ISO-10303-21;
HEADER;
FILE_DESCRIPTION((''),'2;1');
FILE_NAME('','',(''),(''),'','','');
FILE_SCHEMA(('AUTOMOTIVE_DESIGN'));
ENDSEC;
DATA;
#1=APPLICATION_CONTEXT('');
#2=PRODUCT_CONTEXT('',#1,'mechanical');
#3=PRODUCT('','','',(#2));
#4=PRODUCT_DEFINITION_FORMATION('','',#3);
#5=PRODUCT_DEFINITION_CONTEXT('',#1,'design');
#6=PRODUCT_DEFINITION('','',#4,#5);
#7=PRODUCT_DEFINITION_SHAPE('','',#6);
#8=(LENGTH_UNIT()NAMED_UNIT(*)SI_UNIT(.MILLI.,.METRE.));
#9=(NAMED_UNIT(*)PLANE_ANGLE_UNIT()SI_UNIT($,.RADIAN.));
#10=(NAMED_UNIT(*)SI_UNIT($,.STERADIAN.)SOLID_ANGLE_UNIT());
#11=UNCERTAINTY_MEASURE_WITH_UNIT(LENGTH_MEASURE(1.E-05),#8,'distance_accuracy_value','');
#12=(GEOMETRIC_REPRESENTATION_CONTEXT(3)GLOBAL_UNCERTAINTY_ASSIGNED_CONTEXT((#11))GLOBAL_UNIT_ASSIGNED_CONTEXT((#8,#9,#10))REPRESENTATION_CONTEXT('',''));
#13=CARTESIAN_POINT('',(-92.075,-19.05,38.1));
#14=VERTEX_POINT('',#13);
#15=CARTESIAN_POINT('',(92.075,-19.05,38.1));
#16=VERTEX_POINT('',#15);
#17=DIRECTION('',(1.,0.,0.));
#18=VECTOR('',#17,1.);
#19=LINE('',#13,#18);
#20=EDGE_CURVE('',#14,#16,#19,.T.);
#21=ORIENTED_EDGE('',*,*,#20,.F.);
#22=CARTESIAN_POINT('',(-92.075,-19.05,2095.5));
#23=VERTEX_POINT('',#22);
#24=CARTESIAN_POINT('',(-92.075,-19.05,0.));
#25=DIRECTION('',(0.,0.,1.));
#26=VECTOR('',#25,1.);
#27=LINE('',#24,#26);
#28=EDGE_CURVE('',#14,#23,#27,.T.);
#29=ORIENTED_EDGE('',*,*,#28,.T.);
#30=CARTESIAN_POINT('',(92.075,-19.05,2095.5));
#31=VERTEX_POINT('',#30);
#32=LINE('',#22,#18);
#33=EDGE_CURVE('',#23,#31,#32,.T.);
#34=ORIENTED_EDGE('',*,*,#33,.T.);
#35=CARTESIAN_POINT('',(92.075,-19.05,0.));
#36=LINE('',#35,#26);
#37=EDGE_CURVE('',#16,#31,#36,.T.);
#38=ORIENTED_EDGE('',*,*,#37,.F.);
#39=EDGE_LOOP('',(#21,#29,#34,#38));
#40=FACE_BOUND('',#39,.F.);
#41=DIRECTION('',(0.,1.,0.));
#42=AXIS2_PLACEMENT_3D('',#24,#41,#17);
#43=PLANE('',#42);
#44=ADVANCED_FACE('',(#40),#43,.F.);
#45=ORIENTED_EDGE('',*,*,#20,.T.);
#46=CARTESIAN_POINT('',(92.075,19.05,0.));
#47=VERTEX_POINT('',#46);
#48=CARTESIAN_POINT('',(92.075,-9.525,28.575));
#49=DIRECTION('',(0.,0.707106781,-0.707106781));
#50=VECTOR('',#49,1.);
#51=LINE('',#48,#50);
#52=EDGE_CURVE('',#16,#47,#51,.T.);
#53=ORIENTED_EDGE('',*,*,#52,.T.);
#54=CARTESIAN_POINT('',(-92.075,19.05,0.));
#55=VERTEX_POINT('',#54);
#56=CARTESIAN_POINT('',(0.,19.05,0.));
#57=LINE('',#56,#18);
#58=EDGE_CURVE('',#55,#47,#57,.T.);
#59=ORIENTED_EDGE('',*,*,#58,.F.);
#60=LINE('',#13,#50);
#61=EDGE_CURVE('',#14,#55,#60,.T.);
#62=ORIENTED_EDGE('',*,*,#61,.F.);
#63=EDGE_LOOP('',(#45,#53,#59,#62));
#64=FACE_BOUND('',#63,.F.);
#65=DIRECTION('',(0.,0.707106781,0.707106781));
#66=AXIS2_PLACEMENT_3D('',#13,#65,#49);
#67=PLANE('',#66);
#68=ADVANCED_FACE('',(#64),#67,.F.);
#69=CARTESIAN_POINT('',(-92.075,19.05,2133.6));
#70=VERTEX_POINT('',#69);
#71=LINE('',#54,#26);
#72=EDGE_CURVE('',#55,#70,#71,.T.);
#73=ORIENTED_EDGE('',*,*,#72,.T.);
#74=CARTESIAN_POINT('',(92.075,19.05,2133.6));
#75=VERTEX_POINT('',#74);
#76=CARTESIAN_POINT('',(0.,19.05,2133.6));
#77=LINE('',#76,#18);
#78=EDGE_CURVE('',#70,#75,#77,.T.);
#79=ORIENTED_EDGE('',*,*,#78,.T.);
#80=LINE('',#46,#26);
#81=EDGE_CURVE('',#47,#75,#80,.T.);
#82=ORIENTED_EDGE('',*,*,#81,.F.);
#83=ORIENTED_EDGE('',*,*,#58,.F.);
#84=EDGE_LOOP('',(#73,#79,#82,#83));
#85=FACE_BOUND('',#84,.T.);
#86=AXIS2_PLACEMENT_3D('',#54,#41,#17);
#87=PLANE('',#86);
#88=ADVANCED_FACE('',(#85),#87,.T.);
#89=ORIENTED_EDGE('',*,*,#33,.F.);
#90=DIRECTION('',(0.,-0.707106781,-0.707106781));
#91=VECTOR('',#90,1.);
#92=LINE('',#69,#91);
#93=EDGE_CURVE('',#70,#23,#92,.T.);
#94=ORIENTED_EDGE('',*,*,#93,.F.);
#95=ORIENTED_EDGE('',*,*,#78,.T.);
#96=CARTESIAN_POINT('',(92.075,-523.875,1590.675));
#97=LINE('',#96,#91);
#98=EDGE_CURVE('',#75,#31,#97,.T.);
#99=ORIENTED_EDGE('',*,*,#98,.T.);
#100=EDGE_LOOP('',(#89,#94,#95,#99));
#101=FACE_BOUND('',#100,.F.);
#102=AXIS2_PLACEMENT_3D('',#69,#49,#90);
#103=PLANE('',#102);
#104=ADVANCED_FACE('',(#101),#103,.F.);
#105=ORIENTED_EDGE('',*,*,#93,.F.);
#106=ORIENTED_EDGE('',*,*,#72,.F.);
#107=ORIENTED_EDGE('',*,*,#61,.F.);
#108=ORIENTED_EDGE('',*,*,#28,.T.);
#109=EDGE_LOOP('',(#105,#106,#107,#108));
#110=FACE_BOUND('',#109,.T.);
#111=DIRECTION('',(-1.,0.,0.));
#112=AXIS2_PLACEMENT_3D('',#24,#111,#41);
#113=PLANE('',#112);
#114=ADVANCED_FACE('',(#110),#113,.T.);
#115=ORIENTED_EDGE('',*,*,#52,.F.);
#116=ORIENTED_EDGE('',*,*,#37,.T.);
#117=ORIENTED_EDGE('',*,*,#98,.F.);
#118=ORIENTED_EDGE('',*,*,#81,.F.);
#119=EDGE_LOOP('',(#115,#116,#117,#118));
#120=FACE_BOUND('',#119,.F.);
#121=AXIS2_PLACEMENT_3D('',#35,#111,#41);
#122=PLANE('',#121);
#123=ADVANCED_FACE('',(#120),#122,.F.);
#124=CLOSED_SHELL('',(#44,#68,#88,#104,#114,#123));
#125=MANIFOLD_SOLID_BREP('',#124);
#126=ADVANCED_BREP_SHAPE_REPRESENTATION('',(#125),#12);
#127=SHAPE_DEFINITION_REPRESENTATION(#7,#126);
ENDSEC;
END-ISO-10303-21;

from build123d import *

# Parameters (mm, degrees)
F0_W     = 184.15
F0_H     = 38.1
F1_DEPTH = 2133.6
F3_DEPTH = 190.5


with BuildPart() as f1:
    # F0 (on Top) → F1 (new body)
    with BuildSketch(Plane.XY):
        Rectangle(F0_W, F0_H)
    extrude(amount=F1_DEPTH)

    # F2 (on face) → F3 (cut)
    with BuildSketch(Plane(origin=(-92.075, 0, 0), x_dir=(0, -1, 0), z_dir=(-1, 0, 0))):
        Polygon((19.05, 2133.6), (-19.05, 2133.6), (19.05, 2095.5), align=None)
        Polygon((19.05, 38.1), (-19.05, 0), (19.05, 0), align=None)
    extrude(amount=-F3_DEPTH, mode=Mode.SUBTRACT)


solid = f1.part
